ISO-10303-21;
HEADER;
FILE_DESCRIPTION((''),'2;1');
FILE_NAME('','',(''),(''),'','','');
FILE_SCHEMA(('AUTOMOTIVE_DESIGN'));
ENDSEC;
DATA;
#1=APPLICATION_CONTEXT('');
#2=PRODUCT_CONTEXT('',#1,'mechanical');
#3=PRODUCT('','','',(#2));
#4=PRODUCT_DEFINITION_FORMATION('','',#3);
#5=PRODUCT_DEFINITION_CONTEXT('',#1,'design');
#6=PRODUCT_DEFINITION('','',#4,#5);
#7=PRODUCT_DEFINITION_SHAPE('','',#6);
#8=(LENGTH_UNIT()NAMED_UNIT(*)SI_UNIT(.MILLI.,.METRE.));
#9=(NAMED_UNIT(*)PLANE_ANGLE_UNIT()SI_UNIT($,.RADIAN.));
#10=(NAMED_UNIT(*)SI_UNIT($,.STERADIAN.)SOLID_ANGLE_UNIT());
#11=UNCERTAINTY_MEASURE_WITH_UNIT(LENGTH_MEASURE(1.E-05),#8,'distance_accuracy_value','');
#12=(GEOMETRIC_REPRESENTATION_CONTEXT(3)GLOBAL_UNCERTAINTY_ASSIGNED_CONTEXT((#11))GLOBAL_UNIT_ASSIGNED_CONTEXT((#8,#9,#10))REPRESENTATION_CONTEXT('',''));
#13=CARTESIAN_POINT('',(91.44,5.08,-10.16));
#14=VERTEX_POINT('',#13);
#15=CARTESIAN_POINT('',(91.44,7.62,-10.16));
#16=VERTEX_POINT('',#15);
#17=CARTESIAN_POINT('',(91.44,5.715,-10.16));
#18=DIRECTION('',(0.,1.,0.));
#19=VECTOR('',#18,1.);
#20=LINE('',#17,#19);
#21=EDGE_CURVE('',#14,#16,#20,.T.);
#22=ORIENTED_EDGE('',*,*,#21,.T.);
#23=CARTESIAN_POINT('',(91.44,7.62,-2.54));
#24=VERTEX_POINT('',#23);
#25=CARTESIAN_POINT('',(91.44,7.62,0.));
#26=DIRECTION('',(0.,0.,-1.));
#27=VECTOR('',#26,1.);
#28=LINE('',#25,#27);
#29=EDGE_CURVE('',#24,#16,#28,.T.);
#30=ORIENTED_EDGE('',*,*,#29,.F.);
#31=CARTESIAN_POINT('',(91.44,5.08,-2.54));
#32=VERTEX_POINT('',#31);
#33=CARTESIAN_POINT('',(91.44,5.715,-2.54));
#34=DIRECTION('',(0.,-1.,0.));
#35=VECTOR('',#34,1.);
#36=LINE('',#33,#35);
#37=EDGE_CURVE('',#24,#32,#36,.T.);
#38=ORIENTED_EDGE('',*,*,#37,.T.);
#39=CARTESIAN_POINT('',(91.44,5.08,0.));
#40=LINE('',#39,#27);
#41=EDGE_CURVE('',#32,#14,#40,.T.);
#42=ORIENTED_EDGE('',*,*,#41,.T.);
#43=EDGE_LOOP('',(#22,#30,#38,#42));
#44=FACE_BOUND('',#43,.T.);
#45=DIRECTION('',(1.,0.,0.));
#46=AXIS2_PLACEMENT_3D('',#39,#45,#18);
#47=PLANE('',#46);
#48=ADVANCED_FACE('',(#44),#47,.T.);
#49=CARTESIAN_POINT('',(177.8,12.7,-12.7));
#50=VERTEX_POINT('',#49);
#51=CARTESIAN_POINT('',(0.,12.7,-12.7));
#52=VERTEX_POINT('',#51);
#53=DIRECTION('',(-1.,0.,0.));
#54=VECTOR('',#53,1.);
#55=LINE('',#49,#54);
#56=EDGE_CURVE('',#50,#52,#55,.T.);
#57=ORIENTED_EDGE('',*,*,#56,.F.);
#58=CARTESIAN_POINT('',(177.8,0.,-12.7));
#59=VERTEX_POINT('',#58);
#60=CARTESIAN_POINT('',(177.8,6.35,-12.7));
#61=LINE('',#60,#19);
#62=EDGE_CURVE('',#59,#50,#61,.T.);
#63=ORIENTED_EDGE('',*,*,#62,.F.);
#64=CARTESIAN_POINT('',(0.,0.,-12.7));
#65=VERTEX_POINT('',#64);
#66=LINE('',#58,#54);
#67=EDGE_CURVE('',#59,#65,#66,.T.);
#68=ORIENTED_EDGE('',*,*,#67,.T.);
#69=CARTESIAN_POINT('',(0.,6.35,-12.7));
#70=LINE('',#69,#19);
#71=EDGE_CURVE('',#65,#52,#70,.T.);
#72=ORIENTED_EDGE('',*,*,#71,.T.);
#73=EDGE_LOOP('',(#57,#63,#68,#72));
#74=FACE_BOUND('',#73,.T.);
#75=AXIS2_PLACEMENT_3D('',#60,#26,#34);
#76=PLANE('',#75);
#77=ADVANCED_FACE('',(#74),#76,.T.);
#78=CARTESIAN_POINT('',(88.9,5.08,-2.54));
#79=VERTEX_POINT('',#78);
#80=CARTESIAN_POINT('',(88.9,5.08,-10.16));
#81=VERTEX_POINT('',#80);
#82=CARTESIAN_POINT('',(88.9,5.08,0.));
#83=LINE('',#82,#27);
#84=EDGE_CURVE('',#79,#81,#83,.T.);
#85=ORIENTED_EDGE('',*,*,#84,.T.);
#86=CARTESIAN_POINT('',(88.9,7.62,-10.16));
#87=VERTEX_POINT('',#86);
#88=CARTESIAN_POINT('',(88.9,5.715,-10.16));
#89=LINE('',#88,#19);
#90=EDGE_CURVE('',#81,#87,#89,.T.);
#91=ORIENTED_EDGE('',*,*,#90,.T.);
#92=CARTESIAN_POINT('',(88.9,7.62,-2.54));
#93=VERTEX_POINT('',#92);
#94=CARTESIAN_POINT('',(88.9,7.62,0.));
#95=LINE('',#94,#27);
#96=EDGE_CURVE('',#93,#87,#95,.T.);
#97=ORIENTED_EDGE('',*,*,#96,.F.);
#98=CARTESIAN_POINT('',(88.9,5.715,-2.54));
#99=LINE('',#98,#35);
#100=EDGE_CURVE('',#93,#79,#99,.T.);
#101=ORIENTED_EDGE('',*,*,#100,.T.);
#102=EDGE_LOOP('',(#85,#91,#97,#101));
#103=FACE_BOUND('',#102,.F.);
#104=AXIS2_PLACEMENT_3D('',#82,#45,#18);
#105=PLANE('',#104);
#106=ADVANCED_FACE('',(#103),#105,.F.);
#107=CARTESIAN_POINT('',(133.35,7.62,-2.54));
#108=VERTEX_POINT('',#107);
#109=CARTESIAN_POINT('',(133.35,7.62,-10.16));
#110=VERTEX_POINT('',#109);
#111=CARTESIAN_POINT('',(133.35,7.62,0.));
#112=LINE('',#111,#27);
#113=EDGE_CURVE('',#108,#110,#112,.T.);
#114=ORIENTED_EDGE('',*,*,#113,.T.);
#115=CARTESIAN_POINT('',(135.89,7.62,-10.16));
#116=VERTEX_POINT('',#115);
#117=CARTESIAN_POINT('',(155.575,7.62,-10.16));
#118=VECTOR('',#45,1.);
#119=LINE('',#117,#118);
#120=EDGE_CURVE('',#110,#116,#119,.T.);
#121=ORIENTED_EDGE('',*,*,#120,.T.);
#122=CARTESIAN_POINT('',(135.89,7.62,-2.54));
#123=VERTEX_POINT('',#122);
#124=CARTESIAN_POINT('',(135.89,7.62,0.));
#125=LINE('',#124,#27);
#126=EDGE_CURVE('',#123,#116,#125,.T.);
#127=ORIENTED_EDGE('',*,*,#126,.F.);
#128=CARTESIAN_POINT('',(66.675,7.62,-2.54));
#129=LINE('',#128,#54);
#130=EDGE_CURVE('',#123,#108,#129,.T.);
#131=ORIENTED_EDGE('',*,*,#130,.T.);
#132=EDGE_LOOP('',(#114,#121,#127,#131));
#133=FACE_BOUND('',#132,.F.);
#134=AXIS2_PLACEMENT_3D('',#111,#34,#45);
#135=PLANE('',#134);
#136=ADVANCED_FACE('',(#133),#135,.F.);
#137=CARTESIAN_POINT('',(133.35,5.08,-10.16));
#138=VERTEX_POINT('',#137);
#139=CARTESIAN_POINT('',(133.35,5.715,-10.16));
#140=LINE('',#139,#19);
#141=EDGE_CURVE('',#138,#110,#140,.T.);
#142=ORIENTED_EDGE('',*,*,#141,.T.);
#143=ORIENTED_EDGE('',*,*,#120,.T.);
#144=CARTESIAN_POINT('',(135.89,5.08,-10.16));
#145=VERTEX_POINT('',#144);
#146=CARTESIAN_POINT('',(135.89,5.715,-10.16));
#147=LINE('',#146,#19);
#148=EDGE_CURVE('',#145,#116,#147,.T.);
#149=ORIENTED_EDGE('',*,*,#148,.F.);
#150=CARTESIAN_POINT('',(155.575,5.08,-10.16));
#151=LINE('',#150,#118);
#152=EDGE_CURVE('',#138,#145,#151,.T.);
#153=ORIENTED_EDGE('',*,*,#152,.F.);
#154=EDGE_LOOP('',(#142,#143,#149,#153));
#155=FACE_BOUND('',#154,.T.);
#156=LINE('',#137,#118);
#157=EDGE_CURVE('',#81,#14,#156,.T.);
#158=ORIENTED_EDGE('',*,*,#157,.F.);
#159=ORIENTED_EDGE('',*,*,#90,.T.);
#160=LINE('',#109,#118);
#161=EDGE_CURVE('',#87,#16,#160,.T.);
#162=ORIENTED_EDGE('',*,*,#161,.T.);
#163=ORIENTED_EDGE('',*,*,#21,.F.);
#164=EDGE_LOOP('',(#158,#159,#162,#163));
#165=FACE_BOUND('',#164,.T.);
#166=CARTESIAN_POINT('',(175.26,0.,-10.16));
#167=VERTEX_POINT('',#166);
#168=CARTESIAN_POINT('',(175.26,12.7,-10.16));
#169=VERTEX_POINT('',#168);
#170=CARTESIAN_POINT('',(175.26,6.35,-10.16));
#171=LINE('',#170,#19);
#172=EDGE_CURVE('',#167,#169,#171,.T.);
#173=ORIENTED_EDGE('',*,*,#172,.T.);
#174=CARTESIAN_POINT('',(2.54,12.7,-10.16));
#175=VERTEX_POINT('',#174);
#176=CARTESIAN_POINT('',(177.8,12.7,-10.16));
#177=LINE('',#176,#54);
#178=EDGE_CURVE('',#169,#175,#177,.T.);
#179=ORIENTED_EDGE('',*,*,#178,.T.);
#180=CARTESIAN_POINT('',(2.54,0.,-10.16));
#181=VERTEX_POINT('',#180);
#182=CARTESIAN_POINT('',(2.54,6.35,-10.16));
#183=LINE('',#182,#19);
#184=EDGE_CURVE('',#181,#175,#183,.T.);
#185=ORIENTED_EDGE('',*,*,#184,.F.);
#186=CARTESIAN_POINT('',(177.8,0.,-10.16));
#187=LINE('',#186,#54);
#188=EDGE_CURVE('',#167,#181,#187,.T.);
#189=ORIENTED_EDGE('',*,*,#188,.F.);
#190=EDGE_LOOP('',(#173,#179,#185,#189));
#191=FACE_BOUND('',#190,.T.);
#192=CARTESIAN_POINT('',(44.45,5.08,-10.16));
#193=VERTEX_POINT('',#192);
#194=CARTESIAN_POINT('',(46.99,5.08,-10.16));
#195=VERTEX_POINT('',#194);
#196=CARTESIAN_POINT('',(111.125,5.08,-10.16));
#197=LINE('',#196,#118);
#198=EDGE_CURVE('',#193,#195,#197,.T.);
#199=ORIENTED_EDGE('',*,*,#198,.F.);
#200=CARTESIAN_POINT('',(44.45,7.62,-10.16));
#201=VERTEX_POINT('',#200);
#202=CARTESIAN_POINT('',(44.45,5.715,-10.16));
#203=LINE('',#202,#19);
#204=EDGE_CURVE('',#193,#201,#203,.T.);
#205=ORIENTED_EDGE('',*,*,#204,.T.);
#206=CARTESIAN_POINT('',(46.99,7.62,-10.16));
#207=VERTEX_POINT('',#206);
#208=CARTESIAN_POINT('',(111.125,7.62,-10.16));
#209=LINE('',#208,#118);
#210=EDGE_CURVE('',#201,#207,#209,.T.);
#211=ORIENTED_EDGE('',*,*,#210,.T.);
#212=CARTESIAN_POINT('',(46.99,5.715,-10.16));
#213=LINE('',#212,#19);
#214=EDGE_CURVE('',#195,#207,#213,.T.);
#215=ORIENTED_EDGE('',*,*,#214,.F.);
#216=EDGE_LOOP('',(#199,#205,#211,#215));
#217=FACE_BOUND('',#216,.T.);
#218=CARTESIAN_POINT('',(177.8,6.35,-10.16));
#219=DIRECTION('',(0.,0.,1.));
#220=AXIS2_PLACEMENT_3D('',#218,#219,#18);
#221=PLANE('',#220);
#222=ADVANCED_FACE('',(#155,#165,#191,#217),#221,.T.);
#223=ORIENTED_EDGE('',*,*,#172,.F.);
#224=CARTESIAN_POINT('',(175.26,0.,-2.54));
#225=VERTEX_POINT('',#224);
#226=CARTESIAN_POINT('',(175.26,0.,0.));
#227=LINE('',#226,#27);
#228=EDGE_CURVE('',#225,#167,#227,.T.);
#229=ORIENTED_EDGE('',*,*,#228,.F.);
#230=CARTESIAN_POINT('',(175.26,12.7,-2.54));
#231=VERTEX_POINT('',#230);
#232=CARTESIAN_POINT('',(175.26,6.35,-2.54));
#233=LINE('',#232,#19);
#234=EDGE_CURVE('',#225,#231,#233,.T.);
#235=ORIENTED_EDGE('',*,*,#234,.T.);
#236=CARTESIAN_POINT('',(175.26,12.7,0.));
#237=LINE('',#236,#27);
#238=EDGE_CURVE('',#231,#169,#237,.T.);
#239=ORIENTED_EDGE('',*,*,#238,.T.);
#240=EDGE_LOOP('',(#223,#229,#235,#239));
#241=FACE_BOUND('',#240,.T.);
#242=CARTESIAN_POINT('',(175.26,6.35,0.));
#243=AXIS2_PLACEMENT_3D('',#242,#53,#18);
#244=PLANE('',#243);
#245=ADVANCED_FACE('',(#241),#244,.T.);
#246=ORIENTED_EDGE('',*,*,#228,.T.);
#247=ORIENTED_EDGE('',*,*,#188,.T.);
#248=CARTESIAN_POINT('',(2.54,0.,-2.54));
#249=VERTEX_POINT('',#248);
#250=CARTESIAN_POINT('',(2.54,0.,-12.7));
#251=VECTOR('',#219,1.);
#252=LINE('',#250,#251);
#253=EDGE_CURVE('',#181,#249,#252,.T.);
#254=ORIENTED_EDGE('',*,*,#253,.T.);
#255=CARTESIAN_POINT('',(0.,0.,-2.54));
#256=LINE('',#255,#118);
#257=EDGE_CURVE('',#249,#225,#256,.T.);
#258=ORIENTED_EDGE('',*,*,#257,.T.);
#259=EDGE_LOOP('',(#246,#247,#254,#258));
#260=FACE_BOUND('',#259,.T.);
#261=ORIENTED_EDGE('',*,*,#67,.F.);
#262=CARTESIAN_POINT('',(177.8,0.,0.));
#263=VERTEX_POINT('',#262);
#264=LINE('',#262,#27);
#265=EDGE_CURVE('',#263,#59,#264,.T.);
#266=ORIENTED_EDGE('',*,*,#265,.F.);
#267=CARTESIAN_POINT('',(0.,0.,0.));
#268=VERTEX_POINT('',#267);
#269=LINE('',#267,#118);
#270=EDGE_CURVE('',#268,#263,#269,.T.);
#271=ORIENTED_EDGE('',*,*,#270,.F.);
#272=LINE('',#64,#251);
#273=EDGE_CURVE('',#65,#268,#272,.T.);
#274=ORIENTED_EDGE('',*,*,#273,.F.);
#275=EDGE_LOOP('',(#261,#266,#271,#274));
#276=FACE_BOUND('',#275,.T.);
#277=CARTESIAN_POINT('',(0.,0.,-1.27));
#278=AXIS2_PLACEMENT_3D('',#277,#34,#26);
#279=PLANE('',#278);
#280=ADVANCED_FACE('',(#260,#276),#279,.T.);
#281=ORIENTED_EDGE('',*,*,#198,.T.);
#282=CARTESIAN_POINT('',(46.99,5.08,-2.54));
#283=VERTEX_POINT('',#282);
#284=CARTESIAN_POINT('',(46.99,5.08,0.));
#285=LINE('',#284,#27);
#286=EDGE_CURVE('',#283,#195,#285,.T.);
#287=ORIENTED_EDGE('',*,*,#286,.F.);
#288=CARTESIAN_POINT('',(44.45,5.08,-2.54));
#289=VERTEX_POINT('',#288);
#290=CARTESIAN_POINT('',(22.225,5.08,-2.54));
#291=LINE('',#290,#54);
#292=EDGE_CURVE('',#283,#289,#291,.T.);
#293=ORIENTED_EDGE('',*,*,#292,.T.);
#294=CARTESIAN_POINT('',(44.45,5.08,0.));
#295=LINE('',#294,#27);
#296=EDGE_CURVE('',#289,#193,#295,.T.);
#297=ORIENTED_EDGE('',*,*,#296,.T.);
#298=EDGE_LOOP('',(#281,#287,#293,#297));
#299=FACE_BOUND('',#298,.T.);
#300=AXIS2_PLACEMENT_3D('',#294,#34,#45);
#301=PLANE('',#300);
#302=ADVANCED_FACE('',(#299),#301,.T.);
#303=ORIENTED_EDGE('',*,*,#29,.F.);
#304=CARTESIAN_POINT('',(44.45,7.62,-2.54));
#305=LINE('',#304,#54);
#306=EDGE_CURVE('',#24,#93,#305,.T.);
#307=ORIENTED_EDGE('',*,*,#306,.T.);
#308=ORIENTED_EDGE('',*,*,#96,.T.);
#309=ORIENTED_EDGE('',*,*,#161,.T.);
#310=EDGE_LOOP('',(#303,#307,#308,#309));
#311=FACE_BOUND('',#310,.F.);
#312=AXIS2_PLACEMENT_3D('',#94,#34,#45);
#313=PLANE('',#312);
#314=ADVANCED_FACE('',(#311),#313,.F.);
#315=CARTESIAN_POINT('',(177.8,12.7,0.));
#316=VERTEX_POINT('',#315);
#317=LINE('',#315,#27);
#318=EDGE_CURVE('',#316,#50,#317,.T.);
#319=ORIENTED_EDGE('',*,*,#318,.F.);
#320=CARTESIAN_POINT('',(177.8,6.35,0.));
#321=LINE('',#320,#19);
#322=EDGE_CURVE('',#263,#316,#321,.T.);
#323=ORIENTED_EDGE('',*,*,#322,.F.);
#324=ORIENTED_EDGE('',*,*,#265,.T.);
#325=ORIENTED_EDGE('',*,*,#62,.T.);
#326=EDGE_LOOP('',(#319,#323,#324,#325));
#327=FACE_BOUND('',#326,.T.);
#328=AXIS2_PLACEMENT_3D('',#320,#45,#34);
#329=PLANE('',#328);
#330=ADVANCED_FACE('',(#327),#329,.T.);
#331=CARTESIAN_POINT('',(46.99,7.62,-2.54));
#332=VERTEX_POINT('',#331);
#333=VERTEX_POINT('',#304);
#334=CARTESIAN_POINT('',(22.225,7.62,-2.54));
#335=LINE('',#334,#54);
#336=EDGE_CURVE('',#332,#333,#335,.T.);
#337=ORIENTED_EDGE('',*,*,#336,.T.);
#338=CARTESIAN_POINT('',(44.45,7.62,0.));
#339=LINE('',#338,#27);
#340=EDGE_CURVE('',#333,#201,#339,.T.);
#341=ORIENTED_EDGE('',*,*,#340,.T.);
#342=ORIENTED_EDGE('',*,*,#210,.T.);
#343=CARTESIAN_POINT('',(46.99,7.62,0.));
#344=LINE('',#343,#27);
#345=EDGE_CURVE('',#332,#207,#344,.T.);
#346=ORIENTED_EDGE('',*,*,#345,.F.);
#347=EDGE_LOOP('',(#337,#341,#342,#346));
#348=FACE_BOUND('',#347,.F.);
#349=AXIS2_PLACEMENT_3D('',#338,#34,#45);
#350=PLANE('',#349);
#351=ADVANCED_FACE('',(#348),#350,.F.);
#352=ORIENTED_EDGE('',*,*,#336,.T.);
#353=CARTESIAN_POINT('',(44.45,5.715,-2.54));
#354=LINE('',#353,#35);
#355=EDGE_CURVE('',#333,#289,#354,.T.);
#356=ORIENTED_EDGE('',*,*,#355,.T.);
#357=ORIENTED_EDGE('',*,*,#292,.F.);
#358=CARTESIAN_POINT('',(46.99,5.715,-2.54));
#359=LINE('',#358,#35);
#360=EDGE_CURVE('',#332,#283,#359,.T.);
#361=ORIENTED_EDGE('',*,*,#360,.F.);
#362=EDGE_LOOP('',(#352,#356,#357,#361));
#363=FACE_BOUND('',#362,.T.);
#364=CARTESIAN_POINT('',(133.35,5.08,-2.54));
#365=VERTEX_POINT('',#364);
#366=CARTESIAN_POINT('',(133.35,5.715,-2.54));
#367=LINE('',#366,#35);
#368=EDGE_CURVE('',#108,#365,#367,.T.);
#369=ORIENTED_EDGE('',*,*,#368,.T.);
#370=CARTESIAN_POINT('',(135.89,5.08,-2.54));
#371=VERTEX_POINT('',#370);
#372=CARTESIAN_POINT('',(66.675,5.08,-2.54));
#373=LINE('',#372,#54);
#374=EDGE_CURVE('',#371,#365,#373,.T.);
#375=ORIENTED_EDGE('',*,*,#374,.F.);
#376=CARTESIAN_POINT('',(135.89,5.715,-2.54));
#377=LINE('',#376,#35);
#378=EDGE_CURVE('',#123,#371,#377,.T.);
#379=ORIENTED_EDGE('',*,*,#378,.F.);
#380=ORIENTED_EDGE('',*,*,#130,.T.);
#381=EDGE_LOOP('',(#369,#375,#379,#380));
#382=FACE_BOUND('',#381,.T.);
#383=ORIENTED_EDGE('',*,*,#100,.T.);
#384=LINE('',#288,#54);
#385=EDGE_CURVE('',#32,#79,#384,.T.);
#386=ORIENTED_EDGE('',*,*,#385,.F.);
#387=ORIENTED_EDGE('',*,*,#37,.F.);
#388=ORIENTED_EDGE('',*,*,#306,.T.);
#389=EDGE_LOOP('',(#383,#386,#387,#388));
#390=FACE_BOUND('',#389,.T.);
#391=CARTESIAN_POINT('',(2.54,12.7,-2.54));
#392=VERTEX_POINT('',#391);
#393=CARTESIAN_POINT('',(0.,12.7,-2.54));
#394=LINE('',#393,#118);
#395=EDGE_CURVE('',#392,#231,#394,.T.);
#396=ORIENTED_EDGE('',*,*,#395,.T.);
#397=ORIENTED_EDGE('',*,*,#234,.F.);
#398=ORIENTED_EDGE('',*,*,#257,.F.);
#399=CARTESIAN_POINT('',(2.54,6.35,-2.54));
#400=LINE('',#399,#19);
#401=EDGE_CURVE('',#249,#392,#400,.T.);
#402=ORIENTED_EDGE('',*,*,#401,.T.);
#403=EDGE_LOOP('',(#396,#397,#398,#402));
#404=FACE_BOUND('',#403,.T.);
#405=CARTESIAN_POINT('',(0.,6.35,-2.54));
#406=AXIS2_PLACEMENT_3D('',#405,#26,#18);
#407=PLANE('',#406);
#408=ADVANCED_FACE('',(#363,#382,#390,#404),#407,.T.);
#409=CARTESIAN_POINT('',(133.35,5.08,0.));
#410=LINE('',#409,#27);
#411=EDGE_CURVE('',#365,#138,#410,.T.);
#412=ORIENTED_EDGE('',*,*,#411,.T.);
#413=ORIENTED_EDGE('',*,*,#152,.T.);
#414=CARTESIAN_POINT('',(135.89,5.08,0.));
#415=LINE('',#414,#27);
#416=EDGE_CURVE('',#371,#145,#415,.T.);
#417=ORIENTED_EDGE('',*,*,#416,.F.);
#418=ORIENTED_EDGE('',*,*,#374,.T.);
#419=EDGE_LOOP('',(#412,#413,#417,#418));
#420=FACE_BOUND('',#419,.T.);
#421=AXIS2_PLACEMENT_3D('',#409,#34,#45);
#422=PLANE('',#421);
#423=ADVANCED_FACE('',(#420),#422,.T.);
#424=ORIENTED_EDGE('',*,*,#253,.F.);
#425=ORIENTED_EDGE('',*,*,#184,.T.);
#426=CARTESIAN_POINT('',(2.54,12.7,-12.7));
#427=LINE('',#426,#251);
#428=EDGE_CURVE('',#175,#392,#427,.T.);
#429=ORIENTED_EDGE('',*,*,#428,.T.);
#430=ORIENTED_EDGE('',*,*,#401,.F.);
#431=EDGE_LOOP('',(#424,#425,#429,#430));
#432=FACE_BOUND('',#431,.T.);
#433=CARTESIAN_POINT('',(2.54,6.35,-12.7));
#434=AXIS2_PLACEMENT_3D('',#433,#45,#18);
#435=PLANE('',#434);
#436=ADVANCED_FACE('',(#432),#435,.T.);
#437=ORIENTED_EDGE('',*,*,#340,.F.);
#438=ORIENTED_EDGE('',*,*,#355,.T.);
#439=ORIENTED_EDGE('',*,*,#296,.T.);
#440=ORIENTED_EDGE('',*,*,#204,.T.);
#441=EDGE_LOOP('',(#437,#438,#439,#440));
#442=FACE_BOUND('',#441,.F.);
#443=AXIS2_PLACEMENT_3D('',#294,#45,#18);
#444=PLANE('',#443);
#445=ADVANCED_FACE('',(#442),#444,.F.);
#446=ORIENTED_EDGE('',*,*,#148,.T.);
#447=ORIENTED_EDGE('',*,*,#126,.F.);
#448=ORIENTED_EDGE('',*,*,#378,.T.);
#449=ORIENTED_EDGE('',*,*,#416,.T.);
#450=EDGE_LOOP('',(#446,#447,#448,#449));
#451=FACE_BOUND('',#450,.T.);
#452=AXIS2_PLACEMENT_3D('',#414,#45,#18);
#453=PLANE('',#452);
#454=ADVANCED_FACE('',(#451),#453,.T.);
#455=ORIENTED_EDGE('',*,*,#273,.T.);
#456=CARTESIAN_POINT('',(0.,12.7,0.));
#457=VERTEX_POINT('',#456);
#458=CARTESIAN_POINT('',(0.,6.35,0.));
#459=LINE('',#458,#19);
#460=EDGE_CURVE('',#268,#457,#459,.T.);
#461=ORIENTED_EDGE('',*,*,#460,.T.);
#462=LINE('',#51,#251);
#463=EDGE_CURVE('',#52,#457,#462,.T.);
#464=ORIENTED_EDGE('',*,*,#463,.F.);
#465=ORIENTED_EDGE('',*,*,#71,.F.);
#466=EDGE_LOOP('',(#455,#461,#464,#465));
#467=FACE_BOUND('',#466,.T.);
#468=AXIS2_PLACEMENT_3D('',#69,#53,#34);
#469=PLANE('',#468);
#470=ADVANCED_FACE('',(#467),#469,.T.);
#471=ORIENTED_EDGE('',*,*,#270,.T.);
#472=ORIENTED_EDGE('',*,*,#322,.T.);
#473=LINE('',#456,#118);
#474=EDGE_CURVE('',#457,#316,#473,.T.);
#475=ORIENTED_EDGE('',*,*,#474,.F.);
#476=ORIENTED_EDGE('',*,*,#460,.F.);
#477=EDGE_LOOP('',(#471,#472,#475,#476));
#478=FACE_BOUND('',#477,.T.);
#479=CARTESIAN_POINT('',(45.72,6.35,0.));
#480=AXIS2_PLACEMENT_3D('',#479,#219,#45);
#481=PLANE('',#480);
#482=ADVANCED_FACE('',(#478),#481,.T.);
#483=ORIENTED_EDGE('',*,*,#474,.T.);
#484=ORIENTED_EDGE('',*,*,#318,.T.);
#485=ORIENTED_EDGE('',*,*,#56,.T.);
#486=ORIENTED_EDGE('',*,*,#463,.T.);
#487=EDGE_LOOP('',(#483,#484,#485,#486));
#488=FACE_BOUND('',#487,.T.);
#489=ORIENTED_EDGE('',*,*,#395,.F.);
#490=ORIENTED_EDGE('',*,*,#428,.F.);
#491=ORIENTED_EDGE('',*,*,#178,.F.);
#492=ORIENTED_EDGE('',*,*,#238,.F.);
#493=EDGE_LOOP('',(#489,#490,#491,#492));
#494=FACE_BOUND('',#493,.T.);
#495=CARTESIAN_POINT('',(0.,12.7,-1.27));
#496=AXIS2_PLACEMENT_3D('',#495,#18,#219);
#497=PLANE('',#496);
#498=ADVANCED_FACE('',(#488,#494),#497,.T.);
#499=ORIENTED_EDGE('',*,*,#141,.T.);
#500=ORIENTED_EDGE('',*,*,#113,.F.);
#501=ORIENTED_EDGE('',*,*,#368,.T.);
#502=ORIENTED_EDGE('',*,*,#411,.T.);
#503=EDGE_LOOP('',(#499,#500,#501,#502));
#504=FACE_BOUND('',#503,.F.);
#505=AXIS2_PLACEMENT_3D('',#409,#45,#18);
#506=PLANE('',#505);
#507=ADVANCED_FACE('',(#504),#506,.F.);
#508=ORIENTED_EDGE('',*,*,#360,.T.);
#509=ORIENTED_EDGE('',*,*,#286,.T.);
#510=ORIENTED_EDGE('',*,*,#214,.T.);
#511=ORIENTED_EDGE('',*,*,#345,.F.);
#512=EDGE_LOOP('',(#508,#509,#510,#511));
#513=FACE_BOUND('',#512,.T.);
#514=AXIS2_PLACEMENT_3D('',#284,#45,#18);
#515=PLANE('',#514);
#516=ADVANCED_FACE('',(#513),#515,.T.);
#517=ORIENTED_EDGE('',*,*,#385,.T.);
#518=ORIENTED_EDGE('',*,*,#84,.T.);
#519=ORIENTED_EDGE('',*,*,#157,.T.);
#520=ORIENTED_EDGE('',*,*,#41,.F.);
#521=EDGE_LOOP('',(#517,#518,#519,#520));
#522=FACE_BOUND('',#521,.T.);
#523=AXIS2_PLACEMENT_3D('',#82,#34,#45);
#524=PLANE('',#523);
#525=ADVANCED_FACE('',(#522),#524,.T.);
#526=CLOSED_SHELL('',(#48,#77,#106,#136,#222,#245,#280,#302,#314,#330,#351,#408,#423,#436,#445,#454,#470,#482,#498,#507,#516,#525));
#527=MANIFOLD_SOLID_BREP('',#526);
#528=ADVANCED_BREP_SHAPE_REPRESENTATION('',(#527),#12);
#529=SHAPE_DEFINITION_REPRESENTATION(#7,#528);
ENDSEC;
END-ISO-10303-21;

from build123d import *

# Parameters (mm, degrees)
F0_W     = 12.7
F0_H     = 2.54
F3_W     = 2.54
F3_H     = 2.54
F4_DEPTH = 12.7


with BuildPart() as f2:
    # F2: sweep along a path in F1
    with BuildLine(Plane.XZ) as f2_path:
        Line((0, 0), (177.8, 0))
        Line((177.8, 0), (177.8, -12.7))
        Line((177.8, -12.7), (0, -12.7))
        Line((0, -12.7), (0, 0))
    # F0 (on Right) → F2 (sweep)
    with BuildSketch(Plane.YZ):
        with Locations((6.35, -1.27)):
            Rectangle(F0_W, F0_H)
    sweep(path=f2_path.line, transition=Transition.RIGHT)

    # F3 (on face) → F4 (join)
    with BuildSketch(Plane.XY):
        with Locations((45.72, 6.35)):
            Rectangle(F3_W, F3_H)
        with Locations((90.17, 6.35)):
            Rectangle(F3_W, F3_H)
        with Locations((134.62, 6.35)):
            Rectangle(F3_W, F3_H)
    extrude(amount=-F4_DEPTH)


solid = f2.part
